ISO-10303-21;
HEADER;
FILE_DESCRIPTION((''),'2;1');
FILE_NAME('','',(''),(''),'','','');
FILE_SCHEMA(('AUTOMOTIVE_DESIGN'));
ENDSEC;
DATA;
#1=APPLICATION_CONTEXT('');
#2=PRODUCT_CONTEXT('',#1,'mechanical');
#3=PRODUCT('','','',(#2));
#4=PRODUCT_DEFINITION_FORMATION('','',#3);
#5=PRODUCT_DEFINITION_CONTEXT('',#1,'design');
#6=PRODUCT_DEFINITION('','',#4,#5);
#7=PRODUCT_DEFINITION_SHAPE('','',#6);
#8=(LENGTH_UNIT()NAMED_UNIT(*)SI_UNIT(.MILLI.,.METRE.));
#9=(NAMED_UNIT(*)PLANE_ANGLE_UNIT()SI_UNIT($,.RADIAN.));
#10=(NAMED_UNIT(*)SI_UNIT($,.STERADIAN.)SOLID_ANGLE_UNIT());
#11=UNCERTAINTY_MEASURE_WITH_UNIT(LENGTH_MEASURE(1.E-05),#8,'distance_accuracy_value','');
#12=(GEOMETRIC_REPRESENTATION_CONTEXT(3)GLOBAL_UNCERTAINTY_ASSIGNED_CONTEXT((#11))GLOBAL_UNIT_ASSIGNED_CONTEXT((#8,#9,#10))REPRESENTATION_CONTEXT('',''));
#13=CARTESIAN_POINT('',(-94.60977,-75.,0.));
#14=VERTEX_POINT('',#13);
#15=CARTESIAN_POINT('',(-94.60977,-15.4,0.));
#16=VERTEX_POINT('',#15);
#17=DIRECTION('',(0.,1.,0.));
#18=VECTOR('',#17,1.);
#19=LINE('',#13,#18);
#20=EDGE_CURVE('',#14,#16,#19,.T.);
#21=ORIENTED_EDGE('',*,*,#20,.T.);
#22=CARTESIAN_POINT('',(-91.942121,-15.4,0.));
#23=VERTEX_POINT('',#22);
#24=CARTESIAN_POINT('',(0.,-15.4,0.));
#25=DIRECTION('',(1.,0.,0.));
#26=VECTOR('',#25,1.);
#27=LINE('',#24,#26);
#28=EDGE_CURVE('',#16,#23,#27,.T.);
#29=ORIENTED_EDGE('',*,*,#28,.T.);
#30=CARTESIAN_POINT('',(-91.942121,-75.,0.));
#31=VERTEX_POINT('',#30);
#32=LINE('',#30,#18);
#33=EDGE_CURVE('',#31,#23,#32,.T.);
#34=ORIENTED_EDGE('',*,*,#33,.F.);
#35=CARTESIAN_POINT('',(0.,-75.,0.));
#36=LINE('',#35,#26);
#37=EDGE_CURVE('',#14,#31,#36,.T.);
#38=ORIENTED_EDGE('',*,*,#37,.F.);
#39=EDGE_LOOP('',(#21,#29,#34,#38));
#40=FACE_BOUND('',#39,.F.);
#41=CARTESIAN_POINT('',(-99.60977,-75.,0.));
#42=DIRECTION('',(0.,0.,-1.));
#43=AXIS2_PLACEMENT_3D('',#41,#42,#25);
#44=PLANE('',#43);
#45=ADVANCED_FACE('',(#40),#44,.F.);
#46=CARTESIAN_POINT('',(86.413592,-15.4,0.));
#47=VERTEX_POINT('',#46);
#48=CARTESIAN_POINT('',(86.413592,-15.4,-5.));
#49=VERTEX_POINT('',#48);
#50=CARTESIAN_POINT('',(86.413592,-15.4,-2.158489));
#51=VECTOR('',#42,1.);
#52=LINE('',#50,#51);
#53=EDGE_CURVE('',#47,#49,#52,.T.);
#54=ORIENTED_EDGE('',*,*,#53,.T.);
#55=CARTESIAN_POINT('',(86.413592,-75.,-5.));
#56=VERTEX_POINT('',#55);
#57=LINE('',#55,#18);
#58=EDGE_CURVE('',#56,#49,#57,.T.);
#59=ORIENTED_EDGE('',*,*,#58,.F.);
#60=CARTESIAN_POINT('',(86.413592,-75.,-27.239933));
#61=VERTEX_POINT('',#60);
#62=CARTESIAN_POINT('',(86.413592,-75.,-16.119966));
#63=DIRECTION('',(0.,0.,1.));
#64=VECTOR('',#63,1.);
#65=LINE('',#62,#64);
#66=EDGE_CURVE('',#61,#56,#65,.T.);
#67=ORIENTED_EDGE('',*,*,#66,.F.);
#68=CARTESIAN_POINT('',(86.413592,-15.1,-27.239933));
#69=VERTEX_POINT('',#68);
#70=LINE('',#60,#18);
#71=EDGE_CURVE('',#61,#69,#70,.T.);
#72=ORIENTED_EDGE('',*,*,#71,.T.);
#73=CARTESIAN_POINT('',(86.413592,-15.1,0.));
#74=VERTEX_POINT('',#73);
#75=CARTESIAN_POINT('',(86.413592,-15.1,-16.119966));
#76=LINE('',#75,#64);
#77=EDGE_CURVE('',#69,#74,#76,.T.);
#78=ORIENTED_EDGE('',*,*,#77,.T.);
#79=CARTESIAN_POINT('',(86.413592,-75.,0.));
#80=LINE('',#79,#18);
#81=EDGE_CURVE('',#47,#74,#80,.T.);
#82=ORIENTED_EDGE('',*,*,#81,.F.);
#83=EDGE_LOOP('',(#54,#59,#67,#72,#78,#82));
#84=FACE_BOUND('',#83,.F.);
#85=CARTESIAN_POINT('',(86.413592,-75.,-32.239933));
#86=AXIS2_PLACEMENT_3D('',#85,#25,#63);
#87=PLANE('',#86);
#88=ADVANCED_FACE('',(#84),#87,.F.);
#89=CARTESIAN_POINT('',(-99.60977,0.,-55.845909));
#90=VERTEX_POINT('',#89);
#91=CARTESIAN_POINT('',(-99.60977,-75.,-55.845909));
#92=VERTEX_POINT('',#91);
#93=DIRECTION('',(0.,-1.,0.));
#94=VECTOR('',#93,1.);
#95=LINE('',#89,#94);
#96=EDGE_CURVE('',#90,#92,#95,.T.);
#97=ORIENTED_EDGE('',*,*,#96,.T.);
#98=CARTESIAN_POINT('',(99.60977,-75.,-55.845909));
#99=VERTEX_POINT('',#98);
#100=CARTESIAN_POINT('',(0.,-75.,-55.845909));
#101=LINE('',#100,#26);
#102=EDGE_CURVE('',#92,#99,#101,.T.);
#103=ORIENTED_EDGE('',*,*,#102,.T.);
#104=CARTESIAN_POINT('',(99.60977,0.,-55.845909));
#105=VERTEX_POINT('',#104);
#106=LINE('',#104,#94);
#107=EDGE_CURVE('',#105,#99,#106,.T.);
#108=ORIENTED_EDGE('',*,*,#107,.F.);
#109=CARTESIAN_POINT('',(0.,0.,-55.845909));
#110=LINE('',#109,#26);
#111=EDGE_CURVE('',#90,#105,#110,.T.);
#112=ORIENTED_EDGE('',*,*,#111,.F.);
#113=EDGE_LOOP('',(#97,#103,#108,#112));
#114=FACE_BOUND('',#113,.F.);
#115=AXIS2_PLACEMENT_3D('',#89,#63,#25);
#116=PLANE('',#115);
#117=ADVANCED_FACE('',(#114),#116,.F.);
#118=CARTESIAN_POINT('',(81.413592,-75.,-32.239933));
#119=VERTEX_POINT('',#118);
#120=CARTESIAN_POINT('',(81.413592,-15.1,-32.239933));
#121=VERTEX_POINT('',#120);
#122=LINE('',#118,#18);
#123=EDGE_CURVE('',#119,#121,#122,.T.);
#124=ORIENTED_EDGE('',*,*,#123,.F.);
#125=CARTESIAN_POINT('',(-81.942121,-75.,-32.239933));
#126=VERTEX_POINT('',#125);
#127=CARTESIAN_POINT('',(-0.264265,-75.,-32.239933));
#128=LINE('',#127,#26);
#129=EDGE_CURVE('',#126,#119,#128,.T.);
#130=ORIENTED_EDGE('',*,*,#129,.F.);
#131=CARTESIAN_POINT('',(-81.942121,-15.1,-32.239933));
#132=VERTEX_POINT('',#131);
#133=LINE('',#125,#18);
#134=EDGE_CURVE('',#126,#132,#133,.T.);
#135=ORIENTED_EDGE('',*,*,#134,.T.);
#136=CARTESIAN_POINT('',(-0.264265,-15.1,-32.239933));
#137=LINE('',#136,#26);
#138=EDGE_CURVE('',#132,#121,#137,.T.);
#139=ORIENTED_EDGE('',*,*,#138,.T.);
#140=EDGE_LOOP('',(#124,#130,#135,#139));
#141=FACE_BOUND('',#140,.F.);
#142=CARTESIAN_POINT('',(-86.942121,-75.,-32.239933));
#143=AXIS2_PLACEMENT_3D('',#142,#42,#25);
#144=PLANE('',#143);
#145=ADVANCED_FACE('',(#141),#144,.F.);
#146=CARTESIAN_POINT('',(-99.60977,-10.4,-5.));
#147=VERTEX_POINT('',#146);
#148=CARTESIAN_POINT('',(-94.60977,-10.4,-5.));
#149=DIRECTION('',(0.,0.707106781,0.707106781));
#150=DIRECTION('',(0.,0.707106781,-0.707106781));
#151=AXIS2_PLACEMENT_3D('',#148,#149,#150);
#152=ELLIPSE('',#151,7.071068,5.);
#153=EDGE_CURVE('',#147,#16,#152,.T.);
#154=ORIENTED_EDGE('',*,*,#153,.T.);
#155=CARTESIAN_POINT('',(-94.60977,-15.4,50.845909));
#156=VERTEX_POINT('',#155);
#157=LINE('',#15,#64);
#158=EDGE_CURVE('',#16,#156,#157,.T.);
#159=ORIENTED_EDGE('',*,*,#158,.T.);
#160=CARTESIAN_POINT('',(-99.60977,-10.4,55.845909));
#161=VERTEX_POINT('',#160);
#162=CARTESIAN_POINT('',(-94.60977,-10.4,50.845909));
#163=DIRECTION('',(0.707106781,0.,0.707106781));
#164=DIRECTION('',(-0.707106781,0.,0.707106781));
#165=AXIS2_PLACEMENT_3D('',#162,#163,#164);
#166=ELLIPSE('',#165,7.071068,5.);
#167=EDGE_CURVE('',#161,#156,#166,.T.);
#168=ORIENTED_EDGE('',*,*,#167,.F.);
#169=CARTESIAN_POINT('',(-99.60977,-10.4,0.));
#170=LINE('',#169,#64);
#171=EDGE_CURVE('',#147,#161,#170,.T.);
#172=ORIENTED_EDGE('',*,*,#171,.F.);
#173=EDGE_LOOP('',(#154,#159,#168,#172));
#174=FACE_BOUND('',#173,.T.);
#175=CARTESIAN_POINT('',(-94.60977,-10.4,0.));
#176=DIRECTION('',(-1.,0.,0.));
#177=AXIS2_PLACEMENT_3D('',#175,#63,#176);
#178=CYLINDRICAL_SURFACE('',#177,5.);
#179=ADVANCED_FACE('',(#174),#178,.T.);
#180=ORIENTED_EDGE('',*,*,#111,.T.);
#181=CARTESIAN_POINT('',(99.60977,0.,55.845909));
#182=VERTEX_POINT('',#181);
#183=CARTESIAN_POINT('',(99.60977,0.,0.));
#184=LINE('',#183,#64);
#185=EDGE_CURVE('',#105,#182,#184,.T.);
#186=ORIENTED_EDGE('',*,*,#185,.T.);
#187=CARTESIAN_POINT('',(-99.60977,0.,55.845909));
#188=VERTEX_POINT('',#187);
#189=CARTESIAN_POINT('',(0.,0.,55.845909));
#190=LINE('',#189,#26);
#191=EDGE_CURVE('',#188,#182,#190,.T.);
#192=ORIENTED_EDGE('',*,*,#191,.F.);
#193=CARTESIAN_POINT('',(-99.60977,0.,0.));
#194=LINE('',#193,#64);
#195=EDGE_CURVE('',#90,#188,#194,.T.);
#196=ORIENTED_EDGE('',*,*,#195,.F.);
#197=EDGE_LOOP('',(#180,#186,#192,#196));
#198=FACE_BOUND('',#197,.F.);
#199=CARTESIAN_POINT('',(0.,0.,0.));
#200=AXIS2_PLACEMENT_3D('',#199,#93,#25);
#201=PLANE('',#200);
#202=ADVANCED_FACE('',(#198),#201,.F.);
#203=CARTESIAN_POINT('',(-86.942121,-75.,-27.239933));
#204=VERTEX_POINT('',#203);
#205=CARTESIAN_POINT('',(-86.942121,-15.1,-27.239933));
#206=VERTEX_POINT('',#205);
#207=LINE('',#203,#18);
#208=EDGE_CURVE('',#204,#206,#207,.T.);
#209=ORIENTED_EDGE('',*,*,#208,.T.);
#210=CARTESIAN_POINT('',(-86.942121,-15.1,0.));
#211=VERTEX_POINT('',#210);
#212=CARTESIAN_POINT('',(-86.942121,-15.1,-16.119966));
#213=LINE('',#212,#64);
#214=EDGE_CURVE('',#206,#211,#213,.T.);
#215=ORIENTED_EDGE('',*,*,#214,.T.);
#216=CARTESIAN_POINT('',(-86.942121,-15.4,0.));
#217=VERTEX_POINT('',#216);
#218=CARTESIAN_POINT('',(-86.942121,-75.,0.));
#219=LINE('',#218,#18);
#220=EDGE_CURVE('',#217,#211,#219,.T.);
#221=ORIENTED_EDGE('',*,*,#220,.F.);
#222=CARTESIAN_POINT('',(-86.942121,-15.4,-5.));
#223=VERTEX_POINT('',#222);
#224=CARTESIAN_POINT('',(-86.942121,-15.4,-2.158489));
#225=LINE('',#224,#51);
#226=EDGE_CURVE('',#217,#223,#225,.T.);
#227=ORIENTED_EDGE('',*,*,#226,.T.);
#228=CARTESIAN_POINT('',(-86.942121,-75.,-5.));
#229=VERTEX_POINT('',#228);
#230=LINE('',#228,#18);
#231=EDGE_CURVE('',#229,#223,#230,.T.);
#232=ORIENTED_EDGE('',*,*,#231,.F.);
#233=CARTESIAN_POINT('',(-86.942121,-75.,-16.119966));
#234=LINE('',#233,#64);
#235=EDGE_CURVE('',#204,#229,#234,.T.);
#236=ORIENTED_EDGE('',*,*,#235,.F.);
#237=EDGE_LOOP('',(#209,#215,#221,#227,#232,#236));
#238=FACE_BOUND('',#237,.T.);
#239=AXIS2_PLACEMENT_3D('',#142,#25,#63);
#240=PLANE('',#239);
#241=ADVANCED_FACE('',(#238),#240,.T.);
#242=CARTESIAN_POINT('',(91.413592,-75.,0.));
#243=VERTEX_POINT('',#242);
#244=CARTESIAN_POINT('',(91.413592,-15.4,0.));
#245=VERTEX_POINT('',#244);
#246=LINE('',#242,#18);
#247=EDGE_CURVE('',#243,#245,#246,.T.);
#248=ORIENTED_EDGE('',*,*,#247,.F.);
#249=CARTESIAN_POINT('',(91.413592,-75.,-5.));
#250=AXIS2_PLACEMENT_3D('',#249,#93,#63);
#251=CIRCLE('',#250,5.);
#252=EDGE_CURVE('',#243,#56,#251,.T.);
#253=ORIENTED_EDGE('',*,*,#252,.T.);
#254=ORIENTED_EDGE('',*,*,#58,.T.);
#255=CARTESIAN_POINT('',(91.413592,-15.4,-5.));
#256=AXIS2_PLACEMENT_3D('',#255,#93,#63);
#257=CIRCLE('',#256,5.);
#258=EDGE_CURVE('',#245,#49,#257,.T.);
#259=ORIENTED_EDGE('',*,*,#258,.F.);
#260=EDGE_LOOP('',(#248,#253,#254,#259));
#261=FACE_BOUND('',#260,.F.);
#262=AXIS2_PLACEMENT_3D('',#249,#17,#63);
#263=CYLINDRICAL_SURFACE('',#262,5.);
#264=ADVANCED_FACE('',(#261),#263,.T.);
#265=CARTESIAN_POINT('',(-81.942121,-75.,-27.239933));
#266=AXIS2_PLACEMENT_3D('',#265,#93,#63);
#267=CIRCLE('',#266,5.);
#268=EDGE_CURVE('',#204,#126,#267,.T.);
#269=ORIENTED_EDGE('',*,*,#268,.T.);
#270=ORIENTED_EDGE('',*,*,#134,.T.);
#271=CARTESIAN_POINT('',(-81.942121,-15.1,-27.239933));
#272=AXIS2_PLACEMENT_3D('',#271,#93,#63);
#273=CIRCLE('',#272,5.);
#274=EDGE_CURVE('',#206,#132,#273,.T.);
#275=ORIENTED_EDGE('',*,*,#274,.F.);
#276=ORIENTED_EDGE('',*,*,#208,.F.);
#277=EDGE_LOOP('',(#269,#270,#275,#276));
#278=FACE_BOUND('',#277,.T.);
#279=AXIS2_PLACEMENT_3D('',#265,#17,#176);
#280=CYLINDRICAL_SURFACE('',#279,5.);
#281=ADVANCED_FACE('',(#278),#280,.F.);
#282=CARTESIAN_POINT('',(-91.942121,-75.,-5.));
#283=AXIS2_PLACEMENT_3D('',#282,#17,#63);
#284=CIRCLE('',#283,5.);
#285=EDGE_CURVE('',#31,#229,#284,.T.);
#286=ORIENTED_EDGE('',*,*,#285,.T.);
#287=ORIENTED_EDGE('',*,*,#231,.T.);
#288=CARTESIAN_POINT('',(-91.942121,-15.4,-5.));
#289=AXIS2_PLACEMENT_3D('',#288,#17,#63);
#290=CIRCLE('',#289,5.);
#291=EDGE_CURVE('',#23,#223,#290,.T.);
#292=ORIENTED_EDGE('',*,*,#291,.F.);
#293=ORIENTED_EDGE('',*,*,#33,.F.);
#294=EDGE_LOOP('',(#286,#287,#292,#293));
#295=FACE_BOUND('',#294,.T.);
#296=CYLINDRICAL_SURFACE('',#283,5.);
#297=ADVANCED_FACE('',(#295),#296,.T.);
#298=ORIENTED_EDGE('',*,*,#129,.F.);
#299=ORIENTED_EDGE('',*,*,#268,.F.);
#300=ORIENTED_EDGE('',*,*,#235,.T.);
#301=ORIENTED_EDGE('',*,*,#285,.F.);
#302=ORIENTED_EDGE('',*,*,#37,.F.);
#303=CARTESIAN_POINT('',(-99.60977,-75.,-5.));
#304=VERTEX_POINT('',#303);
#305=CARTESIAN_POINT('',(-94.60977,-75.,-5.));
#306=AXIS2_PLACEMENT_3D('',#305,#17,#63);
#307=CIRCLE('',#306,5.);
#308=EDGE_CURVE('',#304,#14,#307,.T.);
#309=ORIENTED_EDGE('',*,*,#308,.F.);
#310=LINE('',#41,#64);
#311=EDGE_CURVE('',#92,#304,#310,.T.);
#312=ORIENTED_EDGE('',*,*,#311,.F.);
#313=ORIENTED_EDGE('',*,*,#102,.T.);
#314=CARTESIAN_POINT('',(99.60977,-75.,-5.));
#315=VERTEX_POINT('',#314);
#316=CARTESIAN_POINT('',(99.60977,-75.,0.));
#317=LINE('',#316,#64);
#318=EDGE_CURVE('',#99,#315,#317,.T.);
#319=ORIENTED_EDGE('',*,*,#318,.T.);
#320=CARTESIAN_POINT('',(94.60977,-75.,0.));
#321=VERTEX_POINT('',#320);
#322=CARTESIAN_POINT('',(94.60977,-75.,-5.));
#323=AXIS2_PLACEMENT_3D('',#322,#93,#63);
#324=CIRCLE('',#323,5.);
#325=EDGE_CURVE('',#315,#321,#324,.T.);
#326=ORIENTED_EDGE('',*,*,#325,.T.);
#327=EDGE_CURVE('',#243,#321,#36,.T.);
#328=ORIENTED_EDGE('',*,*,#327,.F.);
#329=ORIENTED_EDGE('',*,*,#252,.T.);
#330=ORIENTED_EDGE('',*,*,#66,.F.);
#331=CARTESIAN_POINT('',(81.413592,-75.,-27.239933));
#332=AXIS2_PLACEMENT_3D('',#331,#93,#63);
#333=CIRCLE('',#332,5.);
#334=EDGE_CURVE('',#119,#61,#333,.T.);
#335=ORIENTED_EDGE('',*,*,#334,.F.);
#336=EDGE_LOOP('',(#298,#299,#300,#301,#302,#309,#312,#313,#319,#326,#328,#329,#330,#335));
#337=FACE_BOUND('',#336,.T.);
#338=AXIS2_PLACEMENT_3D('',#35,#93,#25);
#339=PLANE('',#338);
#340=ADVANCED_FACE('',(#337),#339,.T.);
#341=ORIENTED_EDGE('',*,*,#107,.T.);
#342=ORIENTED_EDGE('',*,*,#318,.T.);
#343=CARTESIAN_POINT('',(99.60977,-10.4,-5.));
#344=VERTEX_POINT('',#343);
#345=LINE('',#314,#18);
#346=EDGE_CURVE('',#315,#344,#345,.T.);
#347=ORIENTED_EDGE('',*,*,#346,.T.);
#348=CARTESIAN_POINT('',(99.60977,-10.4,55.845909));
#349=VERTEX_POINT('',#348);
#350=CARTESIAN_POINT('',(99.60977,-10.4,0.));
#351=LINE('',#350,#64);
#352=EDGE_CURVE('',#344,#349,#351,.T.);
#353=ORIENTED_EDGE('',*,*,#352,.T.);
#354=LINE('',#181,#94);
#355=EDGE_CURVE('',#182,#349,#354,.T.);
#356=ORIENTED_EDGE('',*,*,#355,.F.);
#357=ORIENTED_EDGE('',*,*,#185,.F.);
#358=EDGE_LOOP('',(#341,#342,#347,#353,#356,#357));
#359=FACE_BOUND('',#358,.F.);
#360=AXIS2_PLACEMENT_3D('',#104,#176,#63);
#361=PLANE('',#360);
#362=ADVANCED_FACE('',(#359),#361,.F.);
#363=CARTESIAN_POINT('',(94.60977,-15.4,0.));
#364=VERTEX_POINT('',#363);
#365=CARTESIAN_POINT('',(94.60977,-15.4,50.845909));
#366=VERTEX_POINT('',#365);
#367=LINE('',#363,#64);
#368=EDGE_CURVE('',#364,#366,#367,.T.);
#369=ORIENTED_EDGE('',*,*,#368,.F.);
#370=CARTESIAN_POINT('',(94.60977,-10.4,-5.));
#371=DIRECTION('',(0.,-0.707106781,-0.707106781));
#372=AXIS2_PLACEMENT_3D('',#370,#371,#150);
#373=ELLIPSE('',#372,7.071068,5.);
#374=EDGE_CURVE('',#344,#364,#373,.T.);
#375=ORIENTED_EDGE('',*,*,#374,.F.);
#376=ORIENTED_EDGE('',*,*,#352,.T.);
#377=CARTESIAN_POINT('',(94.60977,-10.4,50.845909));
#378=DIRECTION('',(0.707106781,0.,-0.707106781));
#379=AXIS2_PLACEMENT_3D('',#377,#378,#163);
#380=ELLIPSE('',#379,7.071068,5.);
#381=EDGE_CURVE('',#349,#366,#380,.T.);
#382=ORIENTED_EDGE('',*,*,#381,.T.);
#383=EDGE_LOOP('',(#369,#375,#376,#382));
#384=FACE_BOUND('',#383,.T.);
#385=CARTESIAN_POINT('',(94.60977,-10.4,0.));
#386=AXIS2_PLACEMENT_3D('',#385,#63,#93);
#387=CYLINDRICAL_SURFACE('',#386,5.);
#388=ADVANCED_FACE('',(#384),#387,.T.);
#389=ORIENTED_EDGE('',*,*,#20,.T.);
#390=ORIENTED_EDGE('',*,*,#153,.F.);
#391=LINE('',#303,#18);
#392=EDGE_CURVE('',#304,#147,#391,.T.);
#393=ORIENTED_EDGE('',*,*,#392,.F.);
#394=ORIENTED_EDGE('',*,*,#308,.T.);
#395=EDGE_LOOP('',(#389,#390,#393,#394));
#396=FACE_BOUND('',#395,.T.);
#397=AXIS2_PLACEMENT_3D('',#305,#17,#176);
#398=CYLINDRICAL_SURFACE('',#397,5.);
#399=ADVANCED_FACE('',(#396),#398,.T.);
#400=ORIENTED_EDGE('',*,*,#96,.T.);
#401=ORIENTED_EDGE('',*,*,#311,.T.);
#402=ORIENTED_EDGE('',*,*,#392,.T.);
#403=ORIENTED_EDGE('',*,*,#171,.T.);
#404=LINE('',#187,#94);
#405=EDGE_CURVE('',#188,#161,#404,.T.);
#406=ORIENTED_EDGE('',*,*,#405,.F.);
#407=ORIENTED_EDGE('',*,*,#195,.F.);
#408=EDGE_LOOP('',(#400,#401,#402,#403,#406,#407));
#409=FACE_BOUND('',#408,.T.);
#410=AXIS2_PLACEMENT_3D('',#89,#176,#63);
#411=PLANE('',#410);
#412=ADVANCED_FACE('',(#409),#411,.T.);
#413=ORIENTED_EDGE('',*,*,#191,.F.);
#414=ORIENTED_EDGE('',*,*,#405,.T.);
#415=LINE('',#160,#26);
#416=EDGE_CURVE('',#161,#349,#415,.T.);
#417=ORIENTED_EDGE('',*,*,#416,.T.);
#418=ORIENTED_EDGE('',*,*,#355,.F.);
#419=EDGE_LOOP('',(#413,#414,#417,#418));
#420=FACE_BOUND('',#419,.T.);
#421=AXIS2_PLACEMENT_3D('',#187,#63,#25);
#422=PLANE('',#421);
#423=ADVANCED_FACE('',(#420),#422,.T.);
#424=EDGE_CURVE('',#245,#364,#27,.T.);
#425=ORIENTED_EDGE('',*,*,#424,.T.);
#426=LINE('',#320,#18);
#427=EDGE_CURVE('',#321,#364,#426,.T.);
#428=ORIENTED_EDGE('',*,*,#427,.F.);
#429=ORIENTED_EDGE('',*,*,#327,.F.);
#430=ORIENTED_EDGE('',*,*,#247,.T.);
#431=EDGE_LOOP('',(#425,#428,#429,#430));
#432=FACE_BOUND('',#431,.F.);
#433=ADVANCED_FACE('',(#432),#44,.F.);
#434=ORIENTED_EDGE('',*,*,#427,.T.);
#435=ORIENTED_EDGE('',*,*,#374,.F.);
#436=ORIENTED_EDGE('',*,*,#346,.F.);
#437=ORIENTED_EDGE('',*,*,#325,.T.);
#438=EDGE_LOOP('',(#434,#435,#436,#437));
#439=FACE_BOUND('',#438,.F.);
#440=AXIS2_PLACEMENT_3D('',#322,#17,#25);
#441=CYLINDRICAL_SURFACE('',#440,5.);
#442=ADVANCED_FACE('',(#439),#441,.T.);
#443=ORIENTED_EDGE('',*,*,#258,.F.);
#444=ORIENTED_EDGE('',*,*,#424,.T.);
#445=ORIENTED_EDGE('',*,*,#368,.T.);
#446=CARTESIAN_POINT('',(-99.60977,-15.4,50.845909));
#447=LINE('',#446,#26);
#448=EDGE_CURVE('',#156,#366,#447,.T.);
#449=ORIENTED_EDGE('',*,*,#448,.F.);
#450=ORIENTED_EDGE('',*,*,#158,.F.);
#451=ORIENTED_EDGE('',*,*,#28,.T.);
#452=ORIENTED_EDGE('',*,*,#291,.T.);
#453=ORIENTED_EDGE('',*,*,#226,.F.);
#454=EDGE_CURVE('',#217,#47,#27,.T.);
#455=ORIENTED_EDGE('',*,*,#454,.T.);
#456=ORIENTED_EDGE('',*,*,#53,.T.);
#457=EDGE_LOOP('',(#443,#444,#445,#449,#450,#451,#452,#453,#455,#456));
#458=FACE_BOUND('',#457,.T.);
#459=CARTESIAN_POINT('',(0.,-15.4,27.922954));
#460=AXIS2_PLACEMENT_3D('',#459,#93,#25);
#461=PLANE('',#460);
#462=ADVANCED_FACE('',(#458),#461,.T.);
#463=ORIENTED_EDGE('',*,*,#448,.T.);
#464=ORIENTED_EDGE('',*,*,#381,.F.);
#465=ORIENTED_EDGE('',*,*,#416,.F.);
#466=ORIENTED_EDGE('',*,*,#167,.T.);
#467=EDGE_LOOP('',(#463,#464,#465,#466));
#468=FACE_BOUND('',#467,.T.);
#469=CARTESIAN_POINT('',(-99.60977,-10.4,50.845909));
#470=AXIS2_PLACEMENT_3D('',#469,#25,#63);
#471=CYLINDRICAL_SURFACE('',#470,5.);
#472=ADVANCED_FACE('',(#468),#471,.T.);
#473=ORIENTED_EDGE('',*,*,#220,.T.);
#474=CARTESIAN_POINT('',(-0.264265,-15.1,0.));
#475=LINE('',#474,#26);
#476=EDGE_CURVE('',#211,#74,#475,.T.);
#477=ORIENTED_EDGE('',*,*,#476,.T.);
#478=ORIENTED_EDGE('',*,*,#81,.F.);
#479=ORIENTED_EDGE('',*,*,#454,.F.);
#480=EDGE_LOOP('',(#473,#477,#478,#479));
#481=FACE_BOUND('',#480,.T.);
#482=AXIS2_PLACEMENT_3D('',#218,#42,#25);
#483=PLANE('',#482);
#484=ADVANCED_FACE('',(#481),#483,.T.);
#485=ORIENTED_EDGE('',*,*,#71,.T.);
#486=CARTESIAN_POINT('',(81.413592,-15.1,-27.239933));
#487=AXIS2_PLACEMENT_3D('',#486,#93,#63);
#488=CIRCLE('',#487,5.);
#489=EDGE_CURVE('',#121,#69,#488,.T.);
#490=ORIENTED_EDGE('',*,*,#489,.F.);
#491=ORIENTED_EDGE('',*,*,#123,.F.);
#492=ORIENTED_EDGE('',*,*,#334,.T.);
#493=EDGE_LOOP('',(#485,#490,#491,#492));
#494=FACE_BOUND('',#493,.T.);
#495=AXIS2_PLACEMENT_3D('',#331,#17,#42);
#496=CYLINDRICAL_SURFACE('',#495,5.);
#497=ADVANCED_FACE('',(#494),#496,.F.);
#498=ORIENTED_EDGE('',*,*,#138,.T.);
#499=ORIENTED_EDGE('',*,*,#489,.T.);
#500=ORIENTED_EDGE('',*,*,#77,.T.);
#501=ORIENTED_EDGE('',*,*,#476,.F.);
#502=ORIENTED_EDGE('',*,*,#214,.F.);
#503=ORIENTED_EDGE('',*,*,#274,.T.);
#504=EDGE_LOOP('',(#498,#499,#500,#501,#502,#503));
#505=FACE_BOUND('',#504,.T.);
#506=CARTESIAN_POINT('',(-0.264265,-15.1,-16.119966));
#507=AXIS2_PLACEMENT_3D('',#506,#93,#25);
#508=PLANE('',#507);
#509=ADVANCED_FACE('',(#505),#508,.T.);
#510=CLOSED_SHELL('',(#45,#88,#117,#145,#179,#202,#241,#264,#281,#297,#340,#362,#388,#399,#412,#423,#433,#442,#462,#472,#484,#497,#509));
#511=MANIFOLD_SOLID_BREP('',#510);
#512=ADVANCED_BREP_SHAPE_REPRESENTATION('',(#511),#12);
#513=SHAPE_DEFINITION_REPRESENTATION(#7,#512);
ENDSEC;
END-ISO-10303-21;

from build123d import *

# Parameters (mm, degrees)
F0_W     = 199.2195397615
F0_H     = 111.6918176413
F1_DEPTH = 75
F2_W     = 199.2195397615
F2_H     = 55.8459088206
F3_DEPTH = 59.6
F4_W     = 173.3557134867
F4_H     = 32.2399325669
F5_DEPTH = 59.9
F6_R     = 5


with BuildPart() as f1:
    # F0 (on Front) → F1 (new body)
    with BuildSketch(Plane.XZ):
        Rectangle(F0_W, F0_H)
    extrude(amount=F1_DEPTH)

    # F2 (on face) → F3 (cut)
    with BuildSketch(Plane.XZ.offset(75)):
        with Locations((0, 27.9229544103)):
            Rectangle(F2_W, F2_H)
    extrude(amount=-F3_DEPTH, mode=Mode.SUBTRACT)

    # F4 (on face) → F5 (cut)
    with BuildSketch(Plane.XZ.offset(75)):
        with Locations((-0.2642646432, -16.1199662834)):
            Rectangle(F4_W, F4_H)
    extrude(amount=-F5_DEPTH, mode=Mode.SUBTRACT)

    # F6
    f6_edges = [f1.edges().sort_by_distance(p)[0] for p in [
        (-99.60977, -45.2, 0),
        (-86.942121, -45.2, 0),
        (-86.942121, -45.05, -32.239933),
        (86.413592, -45.05, -32.239933),
        (86.413592, -45.2, 0),
        (99.60977, -45.2, 0),
        (-99.60977, -15.4, 27.922954),
        (0, -15.4, 55.845909),
        (99.60977, -15.4, 27.922954),
    ]]
    fillet(f6_edges, radius=F6_R)


solid = f1.part
